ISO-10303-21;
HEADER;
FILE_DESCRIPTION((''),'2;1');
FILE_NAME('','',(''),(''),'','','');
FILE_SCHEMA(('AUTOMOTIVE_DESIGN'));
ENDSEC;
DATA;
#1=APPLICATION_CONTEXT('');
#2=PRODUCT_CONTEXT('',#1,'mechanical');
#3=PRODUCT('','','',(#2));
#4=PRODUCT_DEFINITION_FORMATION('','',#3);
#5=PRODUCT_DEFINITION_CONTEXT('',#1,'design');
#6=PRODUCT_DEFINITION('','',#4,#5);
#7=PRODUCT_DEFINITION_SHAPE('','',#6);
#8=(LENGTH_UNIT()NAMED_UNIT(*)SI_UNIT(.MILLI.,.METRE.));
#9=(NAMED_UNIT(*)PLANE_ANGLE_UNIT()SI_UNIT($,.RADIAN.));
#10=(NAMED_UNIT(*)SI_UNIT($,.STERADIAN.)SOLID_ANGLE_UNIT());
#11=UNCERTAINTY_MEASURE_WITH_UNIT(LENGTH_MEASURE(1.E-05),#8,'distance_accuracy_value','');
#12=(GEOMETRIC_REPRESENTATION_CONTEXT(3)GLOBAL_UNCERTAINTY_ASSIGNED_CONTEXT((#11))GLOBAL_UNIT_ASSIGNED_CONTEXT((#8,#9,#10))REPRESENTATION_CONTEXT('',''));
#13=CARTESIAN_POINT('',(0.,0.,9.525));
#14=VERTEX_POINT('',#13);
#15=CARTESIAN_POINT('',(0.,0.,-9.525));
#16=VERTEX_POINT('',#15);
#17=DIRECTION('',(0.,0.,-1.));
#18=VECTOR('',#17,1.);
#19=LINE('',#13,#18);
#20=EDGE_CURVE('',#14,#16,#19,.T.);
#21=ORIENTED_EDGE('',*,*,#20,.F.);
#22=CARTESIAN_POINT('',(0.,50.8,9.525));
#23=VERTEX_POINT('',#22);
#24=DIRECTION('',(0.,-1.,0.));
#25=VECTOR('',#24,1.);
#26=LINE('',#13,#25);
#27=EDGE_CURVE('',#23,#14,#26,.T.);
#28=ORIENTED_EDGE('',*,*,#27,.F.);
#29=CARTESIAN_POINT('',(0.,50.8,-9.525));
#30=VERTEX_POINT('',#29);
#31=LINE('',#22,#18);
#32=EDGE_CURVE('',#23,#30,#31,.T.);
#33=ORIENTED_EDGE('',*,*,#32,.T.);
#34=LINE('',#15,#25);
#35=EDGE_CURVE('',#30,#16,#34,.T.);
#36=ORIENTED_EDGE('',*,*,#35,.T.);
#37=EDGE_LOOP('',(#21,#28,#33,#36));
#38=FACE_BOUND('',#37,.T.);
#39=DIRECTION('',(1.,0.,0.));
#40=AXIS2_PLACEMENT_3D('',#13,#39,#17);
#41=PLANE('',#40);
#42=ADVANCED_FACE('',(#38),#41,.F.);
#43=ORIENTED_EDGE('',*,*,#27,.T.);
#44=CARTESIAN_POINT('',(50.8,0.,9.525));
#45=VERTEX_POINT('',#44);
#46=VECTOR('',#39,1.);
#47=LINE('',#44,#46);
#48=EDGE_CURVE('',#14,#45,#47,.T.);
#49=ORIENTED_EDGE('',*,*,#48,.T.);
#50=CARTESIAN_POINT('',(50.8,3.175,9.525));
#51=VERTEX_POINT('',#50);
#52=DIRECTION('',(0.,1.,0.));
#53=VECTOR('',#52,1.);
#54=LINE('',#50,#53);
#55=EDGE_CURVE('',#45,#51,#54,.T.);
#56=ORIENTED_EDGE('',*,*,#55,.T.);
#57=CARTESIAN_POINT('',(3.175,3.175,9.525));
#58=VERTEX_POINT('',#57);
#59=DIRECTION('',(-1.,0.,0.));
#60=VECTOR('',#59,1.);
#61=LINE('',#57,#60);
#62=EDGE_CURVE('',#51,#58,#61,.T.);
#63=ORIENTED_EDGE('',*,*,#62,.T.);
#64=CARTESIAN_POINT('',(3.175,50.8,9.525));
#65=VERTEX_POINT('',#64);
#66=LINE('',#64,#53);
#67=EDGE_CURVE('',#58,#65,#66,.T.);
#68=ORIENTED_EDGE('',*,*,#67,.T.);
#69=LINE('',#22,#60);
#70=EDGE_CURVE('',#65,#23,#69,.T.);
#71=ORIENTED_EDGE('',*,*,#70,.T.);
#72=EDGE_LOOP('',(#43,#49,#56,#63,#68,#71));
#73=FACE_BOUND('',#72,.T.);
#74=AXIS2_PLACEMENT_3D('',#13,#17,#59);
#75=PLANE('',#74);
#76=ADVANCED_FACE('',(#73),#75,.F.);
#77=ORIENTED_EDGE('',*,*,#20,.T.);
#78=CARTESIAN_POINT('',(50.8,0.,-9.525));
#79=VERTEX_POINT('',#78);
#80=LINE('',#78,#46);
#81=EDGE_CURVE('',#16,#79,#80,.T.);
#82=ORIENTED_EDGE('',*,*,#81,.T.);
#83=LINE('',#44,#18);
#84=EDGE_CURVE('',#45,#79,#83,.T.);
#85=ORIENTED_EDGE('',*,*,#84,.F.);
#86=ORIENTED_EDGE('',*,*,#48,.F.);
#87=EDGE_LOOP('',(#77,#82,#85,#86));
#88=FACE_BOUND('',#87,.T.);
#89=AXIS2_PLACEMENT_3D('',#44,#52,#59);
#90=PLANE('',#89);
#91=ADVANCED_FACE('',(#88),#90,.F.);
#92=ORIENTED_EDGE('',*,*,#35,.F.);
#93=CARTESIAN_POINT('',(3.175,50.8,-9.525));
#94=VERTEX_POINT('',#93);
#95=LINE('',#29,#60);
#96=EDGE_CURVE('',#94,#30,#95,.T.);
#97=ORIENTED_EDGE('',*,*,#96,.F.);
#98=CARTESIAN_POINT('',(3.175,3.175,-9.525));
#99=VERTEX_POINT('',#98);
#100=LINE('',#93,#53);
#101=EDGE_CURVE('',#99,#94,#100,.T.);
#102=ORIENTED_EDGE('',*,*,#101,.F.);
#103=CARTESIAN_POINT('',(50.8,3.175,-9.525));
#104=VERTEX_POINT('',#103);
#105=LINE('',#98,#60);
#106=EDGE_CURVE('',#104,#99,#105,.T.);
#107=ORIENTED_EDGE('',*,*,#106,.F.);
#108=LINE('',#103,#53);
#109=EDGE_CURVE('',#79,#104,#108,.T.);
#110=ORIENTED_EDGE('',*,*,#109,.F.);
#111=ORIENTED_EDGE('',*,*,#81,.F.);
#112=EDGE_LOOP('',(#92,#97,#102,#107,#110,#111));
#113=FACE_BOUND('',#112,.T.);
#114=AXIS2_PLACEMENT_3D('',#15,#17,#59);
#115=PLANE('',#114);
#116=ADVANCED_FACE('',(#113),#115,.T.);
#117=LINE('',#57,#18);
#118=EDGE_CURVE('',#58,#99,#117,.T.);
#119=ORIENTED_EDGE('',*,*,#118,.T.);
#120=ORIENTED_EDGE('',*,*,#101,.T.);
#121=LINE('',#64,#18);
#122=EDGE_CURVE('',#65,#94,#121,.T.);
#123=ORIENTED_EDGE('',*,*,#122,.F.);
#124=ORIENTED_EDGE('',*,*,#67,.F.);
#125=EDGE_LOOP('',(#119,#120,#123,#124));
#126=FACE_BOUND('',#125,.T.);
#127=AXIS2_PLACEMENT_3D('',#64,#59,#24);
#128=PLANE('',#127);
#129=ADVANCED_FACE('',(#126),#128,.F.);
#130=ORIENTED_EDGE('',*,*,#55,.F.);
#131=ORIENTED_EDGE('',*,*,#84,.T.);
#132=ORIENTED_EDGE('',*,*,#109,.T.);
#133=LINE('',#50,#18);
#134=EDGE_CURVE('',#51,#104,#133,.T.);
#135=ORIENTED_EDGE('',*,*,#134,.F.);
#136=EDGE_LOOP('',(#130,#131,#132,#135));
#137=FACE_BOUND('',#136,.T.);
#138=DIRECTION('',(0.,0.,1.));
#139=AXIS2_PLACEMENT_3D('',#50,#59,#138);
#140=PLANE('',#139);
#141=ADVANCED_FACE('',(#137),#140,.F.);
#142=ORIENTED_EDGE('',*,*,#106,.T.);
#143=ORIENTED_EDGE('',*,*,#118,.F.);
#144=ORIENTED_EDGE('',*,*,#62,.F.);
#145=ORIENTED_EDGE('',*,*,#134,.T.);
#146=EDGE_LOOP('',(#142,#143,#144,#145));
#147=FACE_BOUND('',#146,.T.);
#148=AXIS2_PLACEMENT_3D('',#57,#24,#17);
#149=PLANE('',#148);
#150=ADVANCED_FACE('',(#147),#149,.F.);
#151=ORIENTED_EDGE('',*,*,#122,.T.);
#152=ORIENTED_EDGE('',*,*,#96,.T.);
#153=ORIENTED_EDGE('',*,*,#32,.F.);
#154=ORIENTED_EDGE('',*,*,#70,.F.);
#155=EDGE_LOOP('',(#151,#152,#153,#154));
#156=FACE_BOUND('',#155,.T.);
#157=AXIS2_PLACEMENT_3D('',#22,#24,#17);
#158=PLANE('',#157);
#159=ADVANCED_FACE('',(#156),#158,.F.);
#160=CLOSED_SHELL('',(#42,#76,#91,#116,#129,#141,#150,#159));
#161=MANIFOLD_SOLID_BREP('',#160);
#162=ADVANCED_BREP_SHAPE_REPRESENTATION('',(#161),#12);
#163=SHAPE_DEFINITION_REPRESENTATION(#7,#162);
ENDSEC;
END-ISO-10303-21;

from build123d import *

# Parameters (mm, degrees)
BOSS_EXTRUDE1_DEPTH = 9.525


with BuildPart() as part:
    # Sketch1 → Boss-Extrude1 (new body, symmetric)
    with BuildSketch(Plane.XY):
        Polygon((0, 0), (0, 50.8), (3.175, 50.8), (3.175, 3.175), (50.8, 3.175), (50.8, 0), align=None)
    extrude(amount=BOSS_EXTRUDE1_DEPTH, both=True)


solid = part.part
